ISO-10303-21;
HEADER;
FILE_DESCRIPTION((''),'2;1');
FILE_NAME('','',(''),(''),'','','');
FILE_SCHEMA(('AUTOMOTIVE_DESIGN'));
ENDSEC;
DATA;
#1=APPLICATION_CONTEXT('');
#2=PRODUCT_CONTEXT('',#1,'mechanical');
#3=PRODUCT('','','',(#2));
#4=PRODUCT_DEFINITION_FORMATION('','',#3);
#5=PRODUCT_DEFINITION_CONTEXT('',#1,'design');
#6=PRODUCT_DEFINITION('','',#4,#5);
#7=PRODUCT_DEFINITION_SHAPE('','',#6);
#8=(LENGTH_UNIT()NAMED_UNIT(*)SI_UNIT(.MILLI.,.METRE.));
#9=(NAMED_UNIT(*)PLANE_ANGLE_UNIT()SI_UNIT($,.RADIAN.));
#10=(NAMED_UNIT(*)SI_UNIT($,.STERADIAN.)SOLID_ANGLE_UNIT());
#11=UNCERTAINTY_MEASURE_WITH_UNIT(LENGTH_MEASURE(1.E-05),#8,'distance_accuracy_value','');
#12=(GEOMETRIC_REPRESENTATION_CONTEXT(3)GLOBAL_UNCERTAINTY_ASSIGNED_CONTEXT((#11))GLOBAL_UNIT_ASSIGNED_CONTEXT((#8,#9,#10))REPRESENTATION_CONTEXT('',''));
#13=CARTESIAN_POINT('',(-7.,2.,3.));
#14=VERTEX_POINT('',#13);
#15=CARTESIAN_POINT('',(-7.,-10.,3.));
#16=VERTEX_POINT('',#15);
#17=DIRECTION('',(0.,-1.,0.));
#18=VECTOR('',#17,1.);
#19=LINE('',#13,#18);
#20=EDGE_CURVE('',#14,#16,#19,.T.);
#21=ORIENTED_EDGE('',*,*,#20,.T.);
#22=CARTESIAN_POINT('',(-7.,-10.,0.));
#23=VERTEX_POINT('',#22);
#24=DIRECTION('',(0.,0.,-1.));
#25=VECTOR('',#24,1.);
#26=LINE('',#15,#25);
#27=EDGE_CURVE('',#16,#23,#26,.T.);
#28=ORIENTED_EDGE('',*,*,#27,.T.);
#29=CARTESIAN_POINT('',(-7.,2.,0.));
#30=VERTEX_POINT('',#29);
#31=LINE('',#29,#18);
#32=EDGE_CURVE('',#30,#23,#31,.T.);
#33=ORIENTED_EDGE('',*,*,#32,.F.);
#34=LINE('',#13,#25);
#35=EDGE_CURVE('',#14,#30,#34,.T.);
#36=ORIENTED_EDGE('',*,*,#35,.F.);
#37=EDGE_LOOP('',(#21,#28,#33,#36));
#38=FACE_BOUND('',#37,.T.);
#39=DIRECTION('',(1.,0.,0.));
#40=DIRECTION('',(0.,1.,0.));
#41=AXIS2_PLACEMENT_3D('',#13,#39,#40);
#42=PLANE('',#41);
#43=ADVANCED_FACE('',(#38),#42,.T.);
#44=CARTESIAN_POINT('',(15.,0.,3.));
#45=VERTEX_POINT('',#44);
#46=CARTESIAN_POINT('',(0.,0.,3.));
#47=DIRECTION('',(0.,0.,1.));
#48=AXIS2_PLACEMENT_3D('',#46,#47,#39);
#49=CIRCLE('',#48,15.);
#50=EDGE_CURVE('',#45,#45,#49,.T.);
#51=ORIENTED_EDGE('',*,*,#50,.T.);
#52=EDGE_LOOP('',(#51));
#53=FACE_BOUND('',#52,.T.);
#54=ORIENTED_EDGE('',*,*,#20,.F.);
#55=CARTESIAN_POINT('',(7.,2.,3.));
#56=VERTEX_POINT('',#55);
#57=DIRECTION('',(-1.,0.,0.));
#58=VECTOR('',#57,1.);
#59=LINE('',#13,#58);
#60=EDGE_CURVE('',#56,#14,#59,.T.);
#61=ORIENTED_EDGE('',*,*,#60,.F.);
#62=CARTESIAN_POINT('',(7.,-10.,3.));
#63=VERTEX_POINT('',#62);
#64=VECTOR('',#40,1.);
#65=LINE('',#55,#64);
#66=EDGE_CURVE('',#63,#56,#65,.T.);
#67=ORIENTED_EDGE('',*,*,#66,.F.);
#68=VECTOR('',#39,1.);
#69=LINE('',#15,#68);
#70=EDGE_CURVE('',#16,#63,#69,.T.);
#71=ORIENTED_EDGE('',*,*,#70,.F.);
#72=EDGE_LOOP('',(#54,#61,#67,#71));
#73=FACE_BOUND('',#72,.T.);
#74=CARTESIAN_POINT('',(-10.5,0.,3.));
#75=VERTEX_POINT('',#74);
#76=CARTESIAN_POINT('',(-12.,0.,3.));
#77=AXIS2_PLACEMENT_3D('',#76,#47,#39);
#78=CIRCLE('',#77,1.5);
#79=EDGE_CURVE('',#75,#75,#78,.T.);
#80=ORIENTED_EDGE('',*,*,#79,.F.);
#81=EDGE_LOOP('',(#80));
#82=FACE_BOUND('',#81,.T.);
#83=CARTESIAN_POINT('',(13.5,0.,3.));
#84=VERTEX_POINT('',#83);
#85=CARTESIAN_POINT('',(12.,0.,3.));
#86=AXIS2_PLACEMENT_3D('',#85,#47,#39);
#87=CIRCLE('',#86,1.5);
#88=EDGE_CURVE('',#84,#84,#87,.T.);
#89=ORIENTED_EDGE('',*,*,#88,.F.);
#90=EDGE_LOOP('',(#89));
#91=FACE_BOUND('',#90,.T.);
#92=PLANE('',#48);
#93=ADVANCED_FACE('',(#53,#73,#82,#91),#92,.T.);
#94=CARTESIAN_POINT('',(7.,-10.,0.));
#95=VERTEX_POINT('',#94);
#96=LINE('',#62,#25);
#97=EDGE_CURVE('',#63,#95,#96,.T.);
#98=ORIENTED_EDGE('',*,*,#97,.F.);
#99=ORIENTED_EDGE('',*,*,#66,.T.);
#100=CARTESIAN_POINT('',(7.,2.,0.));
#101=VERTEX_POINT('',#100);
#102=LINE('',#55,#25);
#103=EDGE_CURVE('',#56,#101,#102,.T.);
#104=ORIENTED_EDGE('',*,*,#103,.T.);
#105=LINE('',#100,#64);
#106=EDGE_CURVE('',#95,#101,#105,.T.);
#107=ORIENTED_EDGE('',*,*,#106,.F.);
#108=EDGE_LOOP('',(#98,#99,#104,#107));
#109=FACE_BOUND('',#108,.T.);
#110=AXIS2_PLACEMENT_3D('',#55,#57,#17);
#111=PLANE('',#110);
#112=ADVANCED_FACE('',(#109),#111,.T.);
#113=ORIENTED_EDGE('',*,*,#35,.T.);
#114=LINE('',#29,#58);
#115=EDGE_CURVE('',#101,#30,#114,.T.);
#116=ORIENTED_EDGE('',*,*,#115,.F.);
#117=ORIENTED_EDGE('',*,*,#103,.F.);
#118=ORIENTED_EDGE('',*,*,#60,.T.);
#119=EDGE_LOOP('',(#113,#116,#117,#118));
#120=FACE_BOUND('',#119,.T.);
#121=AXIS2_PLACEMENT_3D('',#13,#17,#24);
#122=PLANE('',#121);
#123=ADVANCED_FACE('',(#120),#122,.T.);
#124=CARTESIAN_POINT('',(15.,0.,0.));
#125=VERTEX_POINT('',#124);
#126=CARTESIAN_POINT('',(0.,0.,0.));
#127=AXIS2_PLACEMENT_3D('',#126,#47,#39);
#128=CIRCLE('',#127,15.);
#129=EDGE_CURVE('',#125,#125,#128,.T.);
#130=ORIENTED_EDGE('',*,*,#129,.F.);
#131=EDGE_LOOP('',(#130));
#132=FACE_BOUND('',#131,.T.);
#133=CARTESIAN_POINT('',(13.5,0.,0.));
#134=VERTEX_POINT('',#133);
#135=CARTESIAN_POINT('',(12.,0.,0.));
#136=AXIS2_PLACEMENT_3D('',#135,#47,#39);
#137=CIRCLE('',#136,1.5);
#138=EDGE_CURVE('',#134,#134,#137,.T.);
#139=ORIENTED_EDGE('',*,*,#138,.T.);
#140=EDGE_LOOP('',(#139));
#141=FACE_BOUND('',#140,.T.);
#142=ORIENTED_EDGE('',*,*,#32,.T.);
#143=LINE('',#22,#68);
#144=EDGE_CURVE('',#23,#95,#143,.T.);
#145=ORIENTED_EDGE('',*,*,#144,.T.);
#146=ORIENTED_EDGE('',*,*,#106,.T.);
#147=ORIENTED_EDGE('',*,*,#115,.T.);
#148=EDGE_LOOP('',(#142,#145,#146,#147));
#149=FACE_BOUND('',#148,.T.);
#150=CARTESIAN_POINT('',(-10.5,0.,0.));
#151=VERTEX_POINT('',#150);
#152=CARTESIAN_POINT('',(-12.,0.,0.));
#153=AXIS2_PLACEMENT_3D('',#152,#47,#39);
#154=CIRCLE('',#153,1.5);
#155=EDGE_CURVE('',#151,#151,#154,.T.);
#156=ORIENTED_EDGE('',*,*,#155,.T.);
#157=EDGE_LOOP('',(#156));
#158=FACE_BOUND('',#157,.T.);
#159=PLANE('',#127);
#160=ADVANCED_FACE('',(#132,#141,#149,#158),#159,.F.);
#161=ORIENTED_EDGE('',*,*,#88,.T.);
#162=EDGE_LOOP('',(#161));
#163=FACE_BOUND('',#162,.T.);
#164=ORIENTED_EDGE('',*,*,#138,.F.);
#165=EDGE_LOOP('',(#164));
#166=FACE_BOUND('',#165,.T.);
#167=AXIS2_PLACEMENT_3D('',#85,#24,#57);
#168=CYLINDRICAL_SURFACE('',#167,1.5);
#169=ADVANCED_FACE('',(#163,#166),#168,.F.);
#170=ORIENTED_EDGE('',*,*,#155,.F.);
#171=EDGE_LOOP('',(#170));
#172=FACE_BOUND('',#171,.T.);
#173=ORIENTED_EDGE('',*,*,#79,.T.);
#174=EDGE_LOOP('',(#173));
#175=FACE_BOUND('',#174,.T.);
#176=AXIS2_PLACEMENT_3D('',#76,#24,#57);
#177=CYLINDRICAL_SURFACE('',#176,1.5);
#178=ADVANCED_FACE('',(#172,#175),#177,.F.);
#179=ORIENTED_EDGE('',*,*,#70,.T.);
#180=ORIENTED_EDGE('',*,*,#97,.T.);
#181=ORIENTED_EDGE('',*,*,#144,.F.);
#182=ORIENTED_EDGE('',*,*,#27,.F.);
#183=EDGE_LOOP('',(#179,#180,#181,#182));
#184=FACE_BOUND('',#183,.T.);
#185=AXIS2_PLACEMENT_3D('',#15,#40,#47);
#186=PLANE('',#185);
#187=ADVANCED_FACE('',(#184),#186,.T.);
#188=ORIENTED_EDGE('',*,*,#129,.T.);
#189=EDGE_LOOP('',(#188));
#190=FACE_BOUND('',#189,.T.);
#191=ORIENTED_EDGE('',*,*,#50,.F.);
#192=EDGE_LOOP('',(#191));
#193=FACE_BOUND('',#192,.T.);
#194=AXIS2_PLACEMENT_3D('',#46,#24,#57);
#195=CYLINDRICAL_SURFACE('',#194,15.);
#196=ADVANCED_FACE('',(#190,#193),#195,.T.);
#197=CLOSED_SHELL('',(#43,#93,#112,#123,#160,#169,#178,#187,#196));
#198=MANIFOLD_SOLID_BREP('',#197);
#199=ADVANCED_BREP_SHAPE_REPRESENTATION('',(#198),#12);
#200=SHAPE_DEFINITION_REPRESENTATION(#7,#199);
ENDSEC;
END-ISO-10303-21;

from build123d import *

# Parameters (mm, degrees)
SKETCH1_R           = 15
SKETCH1_R_2         = 1.5
SKETCH1_W           = 14
SKETCH1_H           = 12
BOSS_EXTRUDE1_DEPTH = 3


with BuildPart() as part:
    # Sketch1 → Boss-Extrude1 (new body)
    with BuildSketch(Plane.XY):
        Circle(SKETCH1_R)
        with Locations((-12, 0)):
            Circle(SKETCH1_R_2, mode=Mode.SUBTRACT)
        with Locations((12, 0)):
            Circle(SKETCH1_R_2, mode=Mode.SUBTRACT)
        with Locations((0, -4)):
            Rectangle(SKETCH1_W, SKETCH1_H, mode=Mode.SUBTRACT)
    extrude(amount=BOSS_EXTRUDE1_DEPTH)


solid = part.part
